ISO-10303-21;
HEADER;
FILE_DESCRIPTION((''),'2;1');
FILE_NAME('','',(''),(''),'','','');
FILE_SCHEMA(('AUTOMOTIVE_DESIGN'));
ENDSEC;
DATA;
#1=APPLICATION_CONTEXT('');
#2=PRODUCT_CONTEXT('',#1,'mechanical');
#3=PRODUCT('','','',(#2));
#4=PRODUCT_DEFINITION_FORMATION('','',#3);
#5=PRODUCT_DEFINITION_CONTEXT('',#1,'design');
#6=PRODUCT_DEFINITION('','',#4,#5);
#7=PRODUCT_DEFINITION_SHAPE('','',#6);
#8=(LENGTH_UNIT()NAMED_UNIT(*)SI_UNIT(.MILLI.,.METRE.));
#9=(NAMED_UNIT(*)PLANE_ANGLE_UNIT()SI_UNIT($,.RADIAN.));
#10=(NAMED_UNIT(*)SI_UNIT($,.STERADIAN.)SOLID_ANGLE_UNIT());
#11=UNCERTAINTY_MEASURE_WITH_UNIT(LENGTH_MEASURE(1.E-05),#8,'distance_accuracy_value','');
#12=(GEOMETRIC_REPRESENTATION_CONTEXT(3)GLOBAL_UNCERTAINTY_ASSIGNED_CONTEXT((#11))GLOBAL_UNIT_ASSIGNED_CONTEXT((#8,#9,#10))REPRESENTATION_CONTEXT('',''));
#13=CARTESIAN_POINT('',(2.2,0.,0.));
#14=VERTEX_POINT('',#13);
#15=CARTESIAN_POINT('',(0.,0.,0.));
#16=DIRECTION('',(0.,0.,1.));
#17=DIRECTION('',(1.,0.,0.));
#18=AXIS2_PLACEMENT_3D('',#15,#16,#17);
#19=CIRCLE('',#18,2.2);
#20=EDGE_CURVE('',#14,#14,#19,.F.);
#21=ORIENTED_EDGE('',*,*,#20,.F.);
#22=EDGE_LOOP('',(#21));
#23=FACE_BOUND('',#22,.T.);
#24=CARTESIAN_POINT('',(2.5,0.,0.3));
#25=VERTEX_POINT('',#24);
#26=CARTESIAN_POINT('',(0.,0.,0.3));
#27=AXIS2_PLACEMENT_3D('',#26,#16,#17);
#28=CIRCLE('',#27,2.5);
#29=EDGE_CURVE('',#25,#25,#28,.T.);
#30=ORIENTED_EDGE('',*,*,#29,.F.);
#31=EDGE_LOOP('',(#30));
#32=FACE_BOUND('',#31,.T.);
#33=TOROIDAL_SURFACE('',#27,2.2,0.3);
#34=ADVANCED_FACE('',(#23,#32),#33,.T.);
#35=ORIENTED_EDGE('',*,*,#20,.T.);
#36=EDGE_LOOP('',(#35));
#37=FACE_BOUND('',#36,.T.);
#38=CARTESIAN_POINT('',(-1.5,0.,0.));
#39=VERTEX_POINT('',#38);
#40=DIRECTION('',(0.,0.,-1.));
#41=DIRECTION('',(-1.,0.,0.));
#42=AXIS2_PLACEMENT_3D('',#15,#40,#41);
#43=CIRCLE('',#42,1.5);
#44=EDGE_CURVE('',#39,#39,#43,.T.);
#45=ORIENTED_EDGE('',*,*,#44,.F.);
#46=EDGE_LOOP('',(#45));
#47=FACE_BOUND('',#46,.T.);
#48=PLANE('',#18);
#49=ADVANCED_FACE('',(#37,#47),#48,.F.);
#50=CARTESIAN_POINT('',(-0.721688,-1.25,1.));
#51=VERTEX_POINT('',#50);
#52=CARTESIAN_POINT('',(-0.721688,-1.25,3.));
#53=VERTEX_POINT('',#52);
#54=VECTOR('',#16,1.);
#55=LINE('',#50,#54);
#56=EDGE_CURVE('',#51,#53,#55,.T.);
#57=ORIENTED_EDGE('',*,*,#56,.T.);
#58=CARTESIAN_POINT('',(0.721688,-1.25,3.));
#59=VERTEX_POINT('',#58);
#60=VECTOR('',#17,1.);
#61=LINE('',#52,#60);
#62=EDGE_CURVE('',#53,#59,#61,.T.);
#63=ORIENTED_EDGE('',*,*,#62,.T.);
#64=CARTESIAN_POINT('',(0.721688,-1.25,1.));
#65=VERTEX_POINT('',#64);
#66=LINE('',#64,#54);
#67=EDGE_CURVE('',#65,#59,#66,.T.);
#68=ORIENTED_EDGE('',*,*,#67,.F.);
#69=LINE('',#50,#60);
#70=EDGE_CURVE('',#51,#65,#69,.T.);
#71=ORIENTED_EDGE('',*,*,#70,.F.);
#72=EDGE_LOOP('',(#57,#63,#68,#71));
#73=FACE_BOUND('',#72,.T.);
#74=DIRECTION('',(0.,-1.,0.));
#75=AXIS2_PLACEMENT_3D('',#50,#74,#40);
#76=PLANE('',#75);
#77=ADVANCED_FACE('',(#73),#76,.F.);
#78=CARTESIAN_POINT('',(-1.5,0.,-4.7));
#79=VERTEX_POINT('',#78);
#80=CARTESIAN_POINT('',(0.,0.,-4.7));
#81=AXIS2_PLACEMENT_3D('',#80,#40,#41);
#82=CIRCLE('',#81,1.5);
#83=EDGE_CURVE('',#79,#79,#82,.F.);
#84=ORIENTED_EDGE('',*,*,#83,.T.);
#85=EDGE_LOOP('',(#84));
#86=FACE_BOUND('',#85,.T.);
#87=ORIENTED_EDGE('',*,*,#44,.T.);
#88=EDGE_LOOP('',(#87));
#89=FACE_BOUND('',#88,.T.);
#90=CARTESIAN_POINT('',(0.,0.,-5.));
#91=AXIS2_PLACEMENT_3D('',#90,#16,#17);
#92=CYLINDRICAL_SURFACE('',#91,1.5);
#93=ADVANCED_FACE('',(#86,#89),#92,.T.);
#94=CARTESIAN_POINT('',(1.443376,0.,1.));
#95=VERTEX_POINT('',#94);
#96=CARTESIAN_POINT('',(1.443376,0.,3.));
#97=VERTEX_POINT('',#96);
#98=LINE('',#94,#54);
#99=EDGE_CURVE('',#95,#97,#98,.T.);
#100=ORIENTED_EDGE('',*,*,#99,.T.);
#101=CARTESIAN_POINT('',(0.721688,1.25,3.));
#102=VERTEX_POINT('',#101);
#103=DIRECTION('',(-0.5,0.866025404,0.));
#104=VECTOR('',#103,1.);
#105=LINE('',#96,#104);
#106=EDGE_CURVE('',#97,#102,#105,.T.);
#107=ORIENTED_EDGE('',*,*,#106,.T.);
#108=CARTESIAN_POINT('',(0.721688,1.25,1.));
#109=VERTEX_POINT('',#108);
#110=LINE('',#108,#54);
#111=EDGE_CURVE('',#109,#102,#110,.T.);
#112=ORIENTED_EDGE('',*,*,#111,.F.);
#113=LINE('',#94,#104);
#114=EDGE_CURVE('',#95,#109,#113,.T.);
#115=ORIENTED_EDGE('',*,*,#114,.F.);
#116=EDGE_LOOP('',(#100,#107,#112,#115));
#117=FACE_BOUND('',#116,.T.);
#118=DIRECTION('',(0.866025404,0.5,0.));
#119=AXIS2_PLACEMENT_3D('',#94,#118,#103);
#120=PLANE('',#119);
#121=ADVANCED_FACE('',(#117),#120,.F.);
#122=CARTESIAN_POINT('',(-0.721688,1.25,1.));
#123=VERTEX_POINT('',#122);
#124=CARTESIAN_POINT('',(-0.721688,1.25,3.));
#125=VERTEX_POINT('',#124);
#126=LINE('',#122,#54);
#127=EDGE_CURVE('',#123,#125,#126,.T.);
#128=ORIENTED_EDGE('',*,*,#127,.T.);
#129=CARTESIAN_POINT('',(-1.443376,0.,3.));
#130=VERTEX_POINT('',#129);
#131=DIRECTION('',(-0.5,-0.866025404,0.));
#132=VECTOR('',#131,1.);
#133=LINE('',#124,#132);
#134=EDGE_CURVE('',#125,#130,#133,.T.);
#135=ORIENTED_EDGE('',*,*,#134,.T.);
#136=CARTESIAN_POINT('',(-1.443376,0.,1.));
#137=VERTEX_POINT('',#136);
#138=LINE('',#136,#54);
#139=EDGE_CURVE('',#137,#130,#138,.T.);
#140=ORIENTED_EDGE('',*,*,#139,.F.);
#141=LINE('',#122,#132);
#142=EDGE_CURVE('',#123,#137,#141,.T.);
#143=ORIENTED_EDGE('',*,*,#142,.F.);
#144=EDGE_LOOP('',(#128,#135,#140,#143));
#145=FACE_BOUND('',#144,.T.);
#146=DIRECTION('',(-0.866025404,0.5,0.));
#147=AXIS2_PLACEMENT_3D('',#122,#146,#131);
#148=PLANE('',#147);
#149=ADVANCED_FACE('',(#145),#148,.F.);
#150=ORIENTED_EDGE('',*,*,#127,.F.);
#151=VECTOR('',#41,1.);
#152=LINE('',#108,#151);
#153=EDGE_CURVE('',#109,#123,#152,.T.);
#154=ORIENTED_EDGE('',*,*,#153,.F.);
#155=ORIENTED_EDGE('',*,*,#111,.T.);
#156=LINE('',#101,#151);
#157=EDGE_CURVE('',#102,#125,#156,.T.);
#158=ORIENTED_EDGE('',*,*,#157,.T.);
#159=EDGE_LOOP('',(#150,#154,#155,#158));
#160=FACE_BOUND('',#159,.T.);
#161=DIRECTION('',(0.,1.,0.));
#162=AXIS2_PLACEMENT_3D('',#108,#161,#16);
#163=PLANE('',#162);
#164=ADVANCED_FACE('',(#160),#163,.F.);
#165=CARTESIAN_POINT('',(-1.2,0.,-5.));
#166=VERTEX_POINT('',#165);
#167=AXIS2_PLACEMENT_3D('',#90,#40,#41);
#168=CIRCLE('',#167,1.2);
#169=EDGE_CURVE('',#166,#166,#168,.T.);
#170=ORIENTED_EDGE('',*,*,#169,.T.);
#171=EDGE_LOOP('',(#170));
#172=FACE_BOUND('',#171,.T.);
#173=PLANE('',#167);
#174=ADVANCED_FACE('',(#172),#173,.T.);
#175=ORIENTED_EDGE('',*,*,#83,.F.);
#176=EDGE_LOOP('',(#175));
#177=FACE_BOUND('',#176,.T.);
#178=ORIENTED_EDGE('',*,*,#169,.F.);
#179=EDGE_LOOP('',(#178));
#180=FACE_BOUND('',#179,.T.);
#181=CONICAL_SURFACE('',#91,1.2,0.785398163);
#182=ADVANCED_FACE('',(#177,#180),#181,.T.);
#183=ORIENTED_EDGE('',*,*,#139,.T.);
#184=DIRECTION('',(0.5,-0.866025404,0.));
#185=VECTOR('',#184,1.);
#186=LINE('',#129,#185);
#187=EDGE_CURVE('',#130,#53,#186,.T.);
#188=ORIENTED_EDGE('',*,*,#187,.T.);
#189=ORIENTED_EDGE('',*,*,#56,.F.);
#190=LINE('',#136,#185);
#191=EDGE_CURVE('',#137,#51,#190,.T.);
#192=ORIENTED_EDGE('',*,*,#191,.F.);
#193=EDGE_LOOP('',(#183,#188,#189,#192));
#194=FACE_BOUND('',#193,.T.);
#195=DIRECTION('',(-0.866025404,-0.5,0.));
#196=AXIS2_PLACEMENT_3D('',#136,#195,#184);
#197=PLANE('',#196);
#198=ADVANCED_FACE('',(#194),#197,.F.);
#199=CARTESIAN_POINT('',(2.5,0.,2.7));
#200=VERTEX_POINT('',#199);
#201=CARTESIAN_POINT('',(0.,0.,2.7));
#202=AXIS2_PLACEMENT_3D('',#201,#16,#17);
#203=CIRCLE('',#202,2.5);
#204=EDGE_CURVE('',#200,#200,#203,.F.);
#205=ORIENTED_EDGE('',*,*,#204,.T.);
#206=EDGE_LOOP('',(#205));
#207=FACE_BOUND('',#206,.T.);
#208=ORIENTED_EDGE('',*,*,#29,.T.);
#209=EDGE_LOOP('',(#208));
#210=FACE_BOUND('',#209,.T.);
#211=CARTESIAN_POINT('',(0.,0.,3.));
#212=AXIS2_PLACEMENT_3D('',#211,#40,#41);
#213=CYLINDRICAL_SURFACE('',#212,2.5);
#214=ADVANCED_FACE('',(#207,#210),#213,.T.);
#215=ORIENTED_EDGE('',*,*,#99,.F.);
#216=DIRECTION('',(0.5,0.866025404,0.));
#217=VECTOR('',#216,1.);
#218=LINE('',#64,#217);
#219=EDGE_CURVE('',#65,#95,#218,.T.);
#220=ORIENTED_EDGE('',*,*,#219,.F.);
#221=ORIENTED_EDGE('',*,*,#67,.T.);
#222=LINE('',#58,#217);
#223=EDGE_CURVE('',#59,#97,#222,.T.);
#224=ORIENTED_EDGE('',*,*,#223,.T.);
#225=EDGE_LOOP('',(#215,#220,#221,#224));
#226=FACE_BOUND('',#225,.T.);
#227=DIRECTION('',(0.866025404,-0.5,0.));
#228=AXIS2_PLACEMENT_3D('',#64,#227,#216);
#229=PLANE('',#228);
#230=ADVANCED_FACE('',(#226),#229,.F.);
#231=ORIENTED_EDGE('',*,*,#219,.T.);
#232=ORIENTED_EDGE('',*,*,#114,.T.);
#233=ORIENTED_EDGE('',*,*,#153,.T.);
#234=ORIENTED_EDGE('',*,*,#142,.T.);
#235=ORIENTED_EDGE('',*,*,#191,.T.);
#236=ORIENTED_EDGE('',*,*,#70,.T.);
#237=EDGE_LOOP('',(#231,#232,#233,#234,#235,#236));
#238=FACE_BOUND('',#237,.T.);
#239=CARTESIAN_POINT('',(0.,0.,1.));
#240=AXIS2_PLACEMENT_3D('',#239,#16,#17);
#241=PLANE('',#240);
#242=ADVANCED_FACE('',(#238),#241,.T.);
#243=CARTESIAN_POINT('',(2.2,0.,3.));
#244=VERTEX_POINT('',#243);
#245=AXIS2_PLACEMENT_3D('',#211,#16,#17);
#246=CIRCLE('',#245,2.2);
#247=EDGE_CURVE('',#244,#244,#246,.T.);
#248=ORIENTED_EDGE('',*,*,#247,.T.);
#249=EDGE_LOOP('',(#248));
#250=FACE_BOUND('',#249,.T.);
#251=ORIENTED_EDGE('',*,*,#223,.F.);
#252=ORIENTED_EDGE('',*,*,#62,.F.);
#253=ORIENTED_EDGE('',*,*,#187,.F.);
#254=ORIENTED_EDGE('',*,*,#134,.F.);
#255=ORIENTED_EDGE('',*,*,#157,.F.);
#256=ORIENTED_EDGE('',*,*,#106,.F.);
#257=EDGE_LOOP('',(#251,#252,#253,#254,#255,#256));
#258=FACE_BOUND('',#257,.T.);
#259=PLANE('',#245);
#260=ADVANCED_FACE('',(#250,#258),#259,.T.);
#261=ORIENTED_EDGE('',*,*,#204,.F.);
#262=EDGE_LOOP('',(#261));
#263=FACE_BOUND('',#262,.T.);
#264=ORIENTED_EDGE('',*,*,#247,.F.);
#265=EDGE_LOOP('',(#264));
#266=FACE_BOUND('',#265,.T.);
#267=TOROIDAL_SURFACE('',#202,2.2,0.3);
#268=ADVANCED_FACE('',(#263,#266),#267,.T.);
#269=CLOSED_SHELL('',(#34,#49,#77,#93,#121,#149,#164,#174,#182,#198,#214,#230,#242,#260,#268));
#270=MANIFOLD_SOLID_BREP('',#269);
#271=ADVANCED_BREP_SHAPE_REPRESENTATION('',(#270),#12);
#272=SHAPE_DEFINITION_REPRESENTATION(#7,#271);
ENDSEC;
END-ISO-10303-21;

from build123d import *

# Parameters (mm, degrees)
SKETCH_1_R          = 2.5
EXTRUDE_1_DEPTH     = 3
SKETCH_2_R          = 1.5
EXTRUDE_2_DEPTH     = 5
CUT_EXTRUDE_1_DEPTH = 2
CHAMFER_1_SIZE      = 0.3
FILLET_1_R          = 0.3


with BuildPart() as part:
    # 草图1 → 凸台-拉伸1 (new body)
    with BuildSketch(Plane.XY):
        Circle(SKETCH_1_R)
    extrude(amount=EXTRUDE_1_DEPTH)

    # 草图2 → 凸台-拉伸2 (add)
    with BuildSketch(Plane(origin=(0, 0, 0), x_dir=(-1, 0, 0), z_dir=(0, 0, -1))):
        Circle(SKETCH_2_R)
    extrude(amount=EXTRUDE_2_DEPTH)

    # 草图3 → 切除-拉伸1 (cut)
    with BuildSketch(Plane.XY.offset(3)):
        Polygon((1.443375673, 0), (0.721687836, 1.25), (-0.721687836, 1.25), (-1.443375673, 0), (-0.721687836, -1.25), (0.721687836, -1.25), align=None)
    extrude(amount=-CUT_EXTRUDE_1_DEPTH, mode=Mode.SUBTRACT)

    # 倒角1
    chamfer_1_edges = [part.edges().sort_by_distance(p)[0] for p in [
        (1.5, 0, -5),
    ]]
    chamfer(chamfer_1_edges, length=CHAMFER_1_SIZE)

    # 圆角1
    fillet_1_edges = [part.edges().sort_by_distance(p)[0] for p in [
        (-2.5, 0, 0),
        (-2.5, 0, 3),
    ]]
    fillet(fillet_1_edges, radius=FILLET_1_R)


solid = part.part
